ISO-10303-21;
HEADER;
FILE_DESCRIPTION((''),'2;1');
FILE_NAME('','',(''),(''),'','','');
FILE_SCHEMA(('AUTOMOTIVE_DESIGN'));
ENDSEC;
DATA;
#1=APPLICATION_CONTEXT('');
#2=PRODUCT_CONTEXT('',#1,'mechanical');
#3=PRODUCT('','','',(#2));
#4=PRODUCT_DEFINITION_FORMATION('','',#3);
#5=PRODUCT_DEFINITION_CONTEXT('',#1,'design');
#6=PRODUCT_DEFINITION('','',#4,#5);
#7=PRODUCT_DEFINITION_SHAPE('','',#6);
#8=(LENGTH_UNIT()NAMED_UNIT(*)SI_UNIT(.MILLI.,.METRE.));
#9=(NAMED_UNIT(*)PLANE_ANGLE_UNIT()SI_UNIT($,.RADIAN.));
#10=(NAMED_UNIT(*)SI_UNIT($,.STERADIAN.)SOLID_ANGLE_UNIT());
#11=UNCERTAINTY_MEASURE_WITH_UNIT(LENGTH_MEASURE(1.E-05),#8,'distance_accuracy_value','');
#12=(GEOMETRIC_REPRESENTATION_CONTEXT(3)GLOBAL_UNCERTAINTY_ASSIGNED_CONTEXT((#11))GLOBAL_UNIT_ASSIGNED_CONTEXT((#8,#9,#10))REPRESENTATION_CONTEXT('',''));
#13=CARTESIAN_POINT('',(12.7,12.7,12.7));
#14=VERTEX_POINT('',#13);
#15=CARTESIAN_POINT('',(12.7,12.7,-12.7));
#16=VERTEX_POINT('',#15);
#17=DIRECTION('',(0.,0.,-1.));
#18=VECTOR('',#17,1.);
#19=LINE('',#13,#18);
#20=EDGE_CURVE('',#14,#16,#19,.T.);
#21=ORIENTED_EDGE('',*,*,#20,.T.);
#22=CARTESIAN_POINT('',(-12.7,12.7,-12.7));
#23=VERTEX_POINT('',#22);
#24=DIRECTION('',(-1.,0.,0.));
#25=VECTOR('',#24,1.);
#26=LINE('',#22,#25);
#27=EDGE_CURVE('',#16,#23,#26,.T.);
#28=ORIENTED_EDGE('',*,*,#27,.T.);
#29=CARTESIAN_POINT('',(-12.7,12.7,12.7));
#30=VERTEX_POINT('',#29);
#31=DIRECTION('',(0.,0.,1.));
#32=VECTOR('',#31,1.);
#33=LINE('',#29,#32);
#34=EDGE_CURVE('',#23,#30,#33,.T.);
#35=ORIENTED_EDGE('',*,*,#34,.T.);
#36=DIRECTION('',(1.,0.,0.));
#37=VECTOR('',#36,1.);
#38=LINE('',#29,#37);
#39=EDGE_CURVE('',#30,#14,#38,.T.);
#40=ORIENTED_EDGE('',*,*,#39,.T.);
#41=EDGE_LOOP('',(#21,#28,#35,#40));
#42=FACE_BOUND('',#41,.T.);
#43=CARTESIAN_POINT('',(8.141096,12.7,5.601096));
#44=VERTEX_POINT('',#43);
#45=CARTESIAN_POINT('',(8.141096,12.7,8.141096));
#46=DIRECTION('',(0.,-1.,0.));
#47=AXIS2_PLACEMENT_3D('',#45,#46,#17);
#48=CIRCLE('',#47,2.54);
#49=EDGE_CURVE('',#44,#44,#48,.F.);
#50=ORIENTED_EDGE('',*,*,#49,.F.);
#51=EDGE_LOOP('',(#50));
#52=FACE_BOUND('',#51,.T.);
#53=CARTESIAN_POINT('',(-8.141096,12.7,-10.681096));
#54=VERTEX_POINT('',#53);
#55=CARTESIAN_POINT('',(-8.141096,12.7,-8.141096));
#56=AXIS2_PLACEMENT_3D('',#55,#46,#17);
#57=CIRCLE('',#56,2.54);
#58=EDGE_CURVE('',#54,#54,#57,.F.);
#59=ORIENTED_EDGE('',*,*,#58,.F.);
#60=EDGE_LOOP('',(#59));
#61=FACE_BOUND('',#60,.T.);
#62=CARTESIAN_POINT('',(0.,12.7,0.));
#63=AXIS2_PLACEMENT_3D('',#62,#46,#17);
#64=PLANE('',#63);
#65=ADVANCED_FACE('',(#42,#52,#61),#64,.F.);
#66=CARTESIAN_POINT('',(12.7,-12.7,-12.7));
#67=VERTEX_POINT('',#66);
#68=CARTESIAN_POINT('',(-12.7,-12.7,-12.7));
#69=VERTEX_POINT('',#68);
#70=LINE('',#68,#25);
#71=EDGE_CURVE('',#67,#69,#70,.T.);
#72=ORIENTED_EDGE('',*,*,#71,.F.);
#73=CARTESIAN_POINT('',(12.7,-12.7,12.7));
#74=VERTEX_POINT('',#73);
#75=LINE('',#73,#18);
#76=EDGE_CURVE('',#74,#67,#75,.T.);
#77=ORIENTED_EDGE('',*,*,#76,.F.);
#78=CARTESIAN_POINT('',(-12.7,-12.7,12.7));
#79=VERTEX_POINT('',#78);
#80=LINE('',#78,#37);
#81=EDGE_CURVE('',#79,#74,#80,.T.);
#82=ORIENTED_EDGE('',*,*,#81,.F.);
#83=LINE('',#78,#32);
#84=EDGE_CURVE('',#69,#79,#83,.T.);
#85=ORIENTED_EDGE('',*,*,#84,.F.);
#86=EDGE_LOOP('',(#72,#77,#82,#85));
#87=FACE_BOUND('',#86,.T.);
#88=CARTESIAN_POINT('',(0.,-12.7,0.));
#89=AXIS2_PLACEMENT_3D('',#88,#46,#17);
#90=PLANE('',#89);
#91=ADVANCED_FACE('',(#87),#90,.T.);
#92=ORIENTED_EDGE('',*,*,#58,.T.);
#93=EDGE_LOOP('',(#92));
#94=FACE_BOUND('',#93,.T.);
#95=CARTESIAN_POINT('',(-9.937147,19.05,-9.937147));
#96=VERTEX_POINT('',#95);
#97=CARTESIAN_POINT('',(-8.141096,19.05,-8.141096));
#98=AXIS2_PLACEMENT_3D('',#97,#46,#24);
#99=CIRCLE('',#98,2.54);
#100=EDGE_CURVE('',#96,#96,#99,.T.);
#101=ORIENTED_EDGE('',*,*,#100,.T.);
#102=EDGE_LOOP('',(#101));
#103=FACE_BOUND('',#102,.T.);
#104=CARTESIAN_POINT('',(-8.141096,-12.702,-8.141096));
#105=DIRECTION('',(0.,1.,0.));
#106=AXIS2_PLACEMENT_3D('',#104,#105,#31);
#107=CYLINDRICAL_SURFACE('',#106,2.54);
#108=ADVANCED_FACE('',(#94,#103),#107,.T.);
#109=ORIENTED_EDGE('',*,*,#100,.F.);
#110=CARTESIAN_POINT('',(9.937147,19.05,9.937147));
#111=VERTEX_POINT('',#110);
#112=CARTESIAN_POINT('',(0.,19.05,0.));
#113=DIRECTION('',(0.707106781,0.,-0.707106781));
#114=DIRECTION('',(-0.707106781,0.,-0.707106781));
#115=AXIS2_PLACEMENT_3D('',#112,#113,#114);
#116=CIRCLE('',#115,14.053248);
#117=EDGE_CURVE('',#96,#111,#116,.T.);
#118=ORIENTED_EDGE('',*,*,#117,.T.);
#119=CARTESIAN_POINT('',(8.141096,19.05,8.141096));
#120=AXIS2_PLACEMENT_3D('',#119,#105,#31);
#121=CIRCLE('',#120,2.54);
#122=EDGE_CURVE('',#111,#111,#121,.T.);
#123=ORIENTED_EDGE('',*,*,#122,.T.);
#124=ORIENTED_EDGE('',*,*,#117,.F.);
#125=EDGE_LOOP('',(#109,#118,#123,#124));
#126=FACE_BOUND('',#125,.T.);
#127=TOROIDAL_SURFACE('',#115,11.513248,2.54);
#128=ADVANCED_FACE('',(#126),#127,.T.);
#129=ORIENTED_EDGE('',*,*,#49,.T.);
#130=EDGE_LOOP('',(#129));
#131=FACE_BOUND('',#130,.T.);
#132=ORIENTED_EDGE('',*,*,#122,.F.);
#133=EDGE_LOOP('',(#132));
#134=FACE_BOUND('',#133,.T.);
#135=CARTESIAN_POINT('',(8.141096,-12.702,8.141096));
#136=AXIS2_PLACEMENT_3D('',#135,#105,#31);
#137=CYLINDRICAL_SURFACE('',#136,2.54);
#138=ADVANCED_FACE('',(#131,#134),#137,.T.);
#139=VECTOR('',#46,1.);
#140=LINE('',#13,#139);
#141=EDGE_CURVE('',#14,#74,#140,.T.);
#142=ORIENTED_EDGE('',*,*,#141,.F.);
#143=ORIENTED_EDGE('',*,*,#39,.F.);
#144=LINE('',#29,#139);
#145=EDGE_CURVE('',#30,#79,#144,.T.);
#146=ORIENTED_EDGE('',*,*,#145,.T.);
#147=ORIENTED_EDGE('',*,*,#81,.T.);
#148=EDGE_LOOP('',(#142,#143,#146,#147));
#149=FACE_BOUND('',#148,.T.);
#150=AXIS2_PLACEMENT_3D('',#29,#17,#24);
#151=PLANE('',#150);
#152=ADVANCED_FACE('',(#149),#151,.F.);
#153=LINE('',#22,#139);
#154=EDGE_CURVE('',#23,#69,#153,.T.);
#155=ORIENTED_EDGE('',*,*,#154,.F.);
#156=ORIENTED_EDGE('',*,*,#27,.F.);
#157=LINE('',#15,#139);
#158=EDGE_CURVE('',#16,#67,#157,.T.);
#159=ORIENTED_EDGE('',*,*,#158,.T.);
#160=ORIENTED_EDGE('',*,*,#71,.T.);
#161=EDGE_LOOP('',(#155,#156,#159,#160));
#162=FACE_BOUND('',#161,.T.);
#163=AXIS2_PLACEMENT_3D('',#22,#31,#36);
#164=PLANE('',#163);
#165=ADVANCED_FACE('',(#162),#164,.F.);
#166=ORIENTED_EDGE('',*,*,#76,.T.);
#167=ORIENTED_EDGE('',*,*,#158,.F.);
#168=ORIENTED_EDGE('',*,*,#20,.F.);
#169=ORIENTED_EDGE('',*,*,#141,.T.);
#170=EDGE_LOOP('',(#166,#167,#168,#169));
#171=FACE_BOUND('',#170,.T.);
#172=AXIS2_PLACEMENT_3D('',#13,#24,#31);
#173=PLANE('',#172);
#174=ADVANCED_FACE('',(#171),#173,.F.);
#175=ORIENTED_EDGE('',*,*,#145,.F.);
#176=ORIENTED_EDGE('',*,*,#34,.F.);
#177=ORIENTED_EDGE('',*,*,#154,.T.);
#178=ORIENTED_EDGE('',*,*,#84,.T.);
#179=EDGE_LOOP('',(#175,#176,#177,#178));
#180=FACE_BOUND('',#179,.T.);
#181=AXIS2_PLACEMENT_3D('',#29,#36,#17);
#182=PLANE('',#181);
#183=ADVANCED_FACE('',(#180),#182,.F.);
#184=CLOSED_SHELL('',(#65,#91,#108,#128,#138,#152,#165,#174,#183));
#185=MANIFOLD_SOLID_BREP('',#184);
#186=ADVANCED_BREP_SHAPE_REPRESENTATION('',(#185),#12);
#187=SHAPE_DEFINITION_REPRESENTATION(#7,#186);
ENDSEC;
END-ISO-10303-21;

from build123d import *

# Parameters (mm, degrees)
SKETCH1_W           = 25.4
SKETCH1_H           = 25.4
BOSS_EXTRUDE1_DEPTH = 12.7
SKETCH2_R           = 2.54
REVOLVE1_ANGLE      = 180
BOSS_EXTRUDE2_REACH = 38.478
SKETCH2_3_R         = 2.54


with BuildPart() as part:
    # Sketch1 → Boss-Extrude1 (new, symmetric)
    with BuildSketch(Plane(origin=(0, 0, 0), x_dir=(1, 0, 0), z_dir=(0, 1, 0))):
        Rectangle(SKETCH1_W, SKETCH1_H)
    extrude(amount=BOSS_EXTRUDE1_DEPTH, both=True)

    # Sketch2<3> → Boss-Extrude2 (add, up to next)
    with BuildSketch(Plane(origin=(0, 19.05, 0), x_dir=(1, 0, 0), z_dir=(0, 1, 0)), mode=Mode.PRIVATE) as boss_extrude2_sk1:
        with Locations((8.141095825, -8.141095825)):
            Circle(SKETCH2_3_R)
    boss_extrude2_tool1 = extrude(boss_extrude2_sk1.sketch, amount=-BOSS_EXTRUDE2_REACH, mode=Mode.PRIVATE) - part.part
    # Sketch2<3> → Boss-Extrude2 (add, up to next)
    with BuildSketch(Plane(origin=(0, 19.05, 0), x_dir=(1, 0, 0), z_dir=(0, 1, 0)), mode=Mode.PRIVATE) as boss_extrude2_sk2:
        with Locations((-8.141095825, 8.141095825)):
            Circle(SKETCH2_3_R)
    boss_extrude2_tool2 = extrude(boss_extrude2_sk2.sketch, amount=-BOSS_EXTRUDE2_REACH, mode=Mode.PRIVATE) - part.part


with BuildPart() as body_2:
    # Sketch2 → Revolve1 (revolve)
    with BuildSketch(Plane(origin=(0, 19.05, 0), x_dir=(1, 0, 0), z_dir=(0, 1, 0))):
        with Locations((8.141095825, -8.141095825)):
            Circle(SKETCH2_R)
    revolve(axis=Axis((0, 19.05, 0), (-0.7071067811865464, 0, 0.7071067811865487)), revolution_arc=REVOLVE1_ANGLE)


with BuildPart() as part_1:
    add(part.part)

    add(body_2.part)  # Boss-Extrude2 merges body 2
    add(boss_extrude2_tool1.solids().sort_by_distance((8.141096, 19.05, 8.141096))[0])
    add(boss_extrude2_tool2.solids().sort_by_distance((-8.141096, 19.05, -8.141096))[0])


solid = part_1.part
